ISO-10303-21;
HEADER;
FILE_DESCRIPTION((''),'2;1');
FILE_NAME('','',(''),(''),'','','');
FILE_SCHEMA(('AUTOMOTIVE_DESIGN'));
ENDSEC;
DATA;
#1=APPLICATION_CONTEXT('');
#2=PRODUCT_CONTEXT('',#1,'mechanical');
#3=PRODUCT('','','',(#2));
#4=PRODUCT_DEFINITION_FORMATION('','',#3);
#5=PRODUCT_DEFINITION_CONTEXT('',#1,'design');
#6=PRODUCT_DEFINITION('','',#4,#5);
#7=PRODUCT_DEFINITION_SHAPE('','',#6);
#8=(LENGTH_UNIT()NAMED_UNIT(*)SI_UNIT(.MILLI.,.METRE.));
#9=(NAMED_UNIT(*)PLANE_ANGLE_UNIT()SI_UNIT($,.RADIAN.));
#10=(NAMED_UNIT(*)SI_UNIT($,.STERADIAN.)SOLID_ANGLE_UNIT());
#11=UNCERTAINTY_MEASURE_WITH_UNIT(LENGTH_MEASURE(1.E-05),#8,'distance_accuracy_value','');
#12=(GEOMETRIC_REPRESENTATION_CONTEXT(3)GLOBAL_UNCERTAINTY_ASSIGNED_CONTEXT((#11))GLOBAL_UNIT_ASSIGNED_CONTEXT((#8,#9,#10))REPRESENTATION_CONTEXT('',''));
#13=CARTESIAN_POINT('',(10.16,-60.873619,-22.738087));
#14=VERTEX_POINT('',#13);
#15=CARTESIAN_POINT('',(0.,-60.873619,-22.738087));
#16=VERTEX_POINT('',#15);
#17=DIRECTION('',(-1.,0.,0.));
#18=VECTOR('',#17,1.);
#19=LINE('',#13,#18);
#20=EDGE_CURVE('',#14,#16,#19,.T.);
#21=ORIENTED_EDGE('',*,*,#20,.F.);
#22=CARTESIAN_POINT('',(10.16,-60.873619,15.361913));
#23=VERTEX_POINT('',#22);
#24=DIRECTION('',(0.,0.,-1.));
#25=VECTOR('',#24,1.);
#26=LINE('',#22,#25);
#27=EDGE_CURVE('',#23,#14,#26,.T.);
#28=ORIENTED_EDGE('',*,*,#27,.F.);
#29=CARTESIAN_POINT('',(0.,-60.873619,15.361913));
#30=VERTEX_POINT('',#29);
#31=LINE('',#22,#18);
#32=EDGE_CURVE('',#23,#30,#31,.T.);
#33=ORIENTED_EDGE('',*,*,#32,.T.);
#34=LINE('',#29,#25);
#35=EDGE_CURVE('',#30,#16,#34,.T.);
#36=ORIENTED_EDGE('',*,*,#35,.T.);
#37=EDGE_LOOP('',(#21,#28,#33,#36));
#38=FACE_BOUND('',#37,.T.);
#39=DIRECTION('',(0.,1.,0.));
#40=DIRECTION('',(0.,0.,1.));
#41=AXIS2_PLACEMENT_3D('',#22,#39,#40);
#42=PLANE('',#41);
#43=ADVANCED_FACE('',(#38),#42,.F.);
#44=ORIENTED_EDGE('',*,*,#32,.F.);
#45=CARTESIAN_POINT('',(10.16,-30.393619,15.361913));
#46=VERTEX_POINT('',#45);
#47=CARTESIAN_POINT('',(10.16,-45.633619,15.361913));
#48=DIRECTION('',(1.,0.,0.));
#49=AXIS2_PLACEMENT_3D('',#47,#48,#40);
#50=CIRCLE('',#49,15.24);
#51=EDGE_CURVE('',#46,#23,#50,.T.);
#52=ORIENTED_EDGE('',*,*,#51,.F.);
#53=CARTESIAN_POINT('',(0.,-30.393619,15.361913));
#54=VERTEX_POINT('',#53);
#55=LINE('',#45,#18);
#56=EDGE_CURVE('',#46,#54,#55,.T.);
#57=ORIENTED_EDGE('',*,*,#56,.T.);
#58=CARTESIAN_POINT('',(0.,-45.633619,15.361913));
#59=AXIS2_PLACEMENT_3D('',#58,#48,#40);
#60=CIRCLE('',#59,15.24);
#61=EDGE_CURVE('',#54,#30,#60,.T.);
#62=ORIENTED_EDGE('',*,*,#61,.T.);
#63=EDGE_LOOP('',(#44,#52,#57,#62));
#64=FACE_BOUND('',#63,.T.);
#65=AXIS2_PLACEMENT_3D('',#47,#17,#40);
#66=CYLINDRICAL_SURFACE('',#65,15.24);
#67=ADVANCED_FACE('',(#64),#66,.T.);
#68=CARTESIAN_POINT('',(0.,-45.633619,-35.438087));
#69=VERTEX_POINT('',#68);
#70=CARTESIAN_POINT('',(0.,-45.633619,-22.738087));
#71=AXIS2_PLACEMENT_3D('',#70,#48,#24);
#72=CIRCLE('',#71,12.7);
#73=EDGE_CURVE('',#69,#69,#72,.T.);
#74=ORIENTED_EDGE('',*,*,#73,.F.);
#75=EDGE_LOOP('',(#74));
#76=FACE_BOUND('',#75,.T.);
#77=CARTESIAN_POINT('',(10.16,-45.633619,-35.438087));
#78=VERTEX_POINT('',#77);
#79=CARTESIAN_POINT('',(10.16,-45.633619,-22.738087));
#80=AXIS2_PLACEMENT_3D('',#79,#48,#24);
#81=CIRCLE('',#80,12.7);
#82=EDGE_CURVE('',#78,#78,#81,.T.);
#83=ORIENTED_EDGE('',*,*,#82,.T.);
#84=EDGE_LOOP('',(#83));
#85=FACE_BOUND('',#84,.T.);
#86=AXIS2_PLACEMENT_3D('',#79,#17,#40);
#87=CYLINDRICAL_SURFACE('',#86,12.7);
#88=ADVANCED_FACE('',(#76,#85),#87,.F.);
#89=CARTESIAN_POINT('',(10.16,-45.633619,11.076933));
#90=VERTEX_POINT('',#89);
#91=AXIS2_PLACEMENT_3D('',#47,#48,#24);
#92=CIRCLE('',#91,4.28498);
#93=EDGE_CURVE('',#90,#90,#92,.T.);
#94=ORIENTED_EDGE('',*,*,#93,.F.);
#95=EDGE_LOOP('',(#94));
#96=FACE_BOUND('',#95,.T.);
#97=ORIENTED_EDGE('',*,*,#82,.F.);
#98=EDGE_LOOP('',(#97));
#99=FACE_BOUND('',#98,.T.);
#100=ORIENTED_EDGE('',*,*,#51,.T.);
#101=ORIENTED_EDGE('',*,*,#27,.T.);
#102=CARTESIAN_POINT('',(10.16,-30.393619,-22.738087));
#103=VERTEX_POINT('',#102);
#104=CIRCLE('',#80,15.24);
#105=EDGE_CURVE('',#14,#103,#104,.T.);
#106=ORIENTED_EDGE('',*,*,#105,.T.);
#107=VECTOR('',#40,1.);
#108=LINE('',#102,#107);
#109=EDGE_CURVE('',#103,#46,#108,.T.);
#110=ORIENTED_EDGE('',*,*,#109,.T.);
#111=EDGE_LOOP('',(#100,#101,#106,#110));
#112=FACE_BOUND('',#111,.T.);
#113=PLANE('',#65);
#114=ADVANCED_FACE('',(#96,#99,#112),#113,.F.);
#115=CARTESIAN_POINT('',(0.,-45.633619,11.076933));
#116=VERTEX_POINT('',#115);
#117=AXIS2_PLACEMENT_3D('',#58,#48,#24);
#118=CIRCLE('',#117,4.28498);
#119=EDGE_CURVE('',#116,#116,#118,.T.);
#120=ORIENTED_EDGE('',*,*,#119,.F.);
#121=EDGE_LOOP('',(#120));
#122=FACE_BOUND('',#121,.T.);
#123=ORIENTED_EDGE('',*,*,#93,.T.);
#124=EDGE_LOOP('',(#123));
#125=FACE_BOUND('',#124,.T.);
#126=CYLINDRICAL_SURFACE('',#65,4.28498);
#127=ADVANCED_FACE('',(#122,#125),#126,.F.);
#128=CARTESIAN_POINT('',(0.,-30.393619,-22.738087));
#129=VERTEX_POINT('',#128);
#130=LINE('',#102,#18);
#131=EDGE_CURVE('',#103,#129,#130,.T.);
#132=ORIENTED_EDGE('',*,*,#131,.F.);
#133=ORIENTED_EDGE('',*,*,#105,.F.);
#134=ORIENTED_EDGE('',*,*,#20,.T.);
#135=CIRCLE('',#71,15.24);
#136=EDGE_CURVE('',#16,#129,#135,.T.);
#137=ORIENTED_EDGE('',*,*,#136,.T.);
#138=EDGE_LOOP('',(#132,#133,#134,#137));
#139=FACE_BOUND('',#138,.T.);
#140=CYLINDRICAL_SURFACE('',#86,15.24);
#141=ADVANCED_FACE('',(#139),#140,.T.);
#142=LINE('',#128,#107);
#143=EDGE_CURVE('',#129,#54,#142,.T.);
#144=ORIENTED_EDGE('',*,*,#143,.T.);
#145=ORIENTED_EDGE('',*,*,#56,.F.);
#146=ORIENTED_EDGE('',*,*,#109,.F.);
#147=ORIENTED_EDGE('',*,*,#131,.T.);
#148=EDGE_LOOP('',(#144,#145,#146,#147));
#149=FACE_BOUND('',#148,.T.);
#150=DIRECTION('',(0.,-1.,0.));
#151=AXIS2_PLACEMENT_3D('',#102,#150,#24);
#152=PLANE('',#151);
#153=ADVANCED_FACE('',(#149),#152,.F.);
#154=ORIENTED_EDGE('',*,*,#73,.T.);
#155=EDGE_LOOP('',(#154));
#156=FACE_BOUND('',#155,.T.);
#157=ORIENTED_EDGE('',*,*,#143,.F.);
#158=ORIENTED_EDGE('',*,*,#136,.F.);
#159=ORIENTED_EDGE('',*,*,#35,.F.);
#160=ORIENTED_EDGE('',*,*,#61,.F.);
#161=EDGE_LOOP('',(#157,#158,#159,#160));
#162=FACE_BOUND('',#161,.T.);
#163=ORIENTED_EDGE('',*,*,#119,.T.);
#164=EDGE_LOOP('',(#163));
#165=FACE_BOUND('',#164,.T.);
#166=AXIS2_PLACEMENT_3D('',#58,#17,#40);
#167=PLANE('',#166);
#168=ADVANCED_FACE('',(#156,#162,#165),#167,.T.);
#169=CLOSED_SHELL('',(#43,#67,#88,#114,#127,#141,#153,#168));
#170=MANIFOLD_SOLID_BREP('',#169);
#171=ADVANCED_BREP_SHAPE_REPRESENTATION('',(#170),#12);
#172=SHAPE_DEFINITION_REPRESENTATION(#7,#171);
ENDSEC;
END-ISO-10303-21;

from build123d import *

# Parameters (mm, degrees)
SKETCH1_R           = 12.7
SKETCH1_R_2         = 4.28498
BOSS_EXTRUDE1_DEPTH = 10.159999949


with BuildPart() as part:
    # Sketch1 → Boss-Extrude1 (new body)
    with BuildSketch(Plane.YZ):
        with BuildLine():
            Line((-60.873619371, 15.361912765), (-60.873619371, -22.738087235))
            ThreePointArc((-60.873619371, -22.738087235), (-45.633619371, -37.978087235), (-30.393619371, -22.738087235))
            Line((-30.393619371, -22.738087235), (-30.393619371, 15.361912765))
            ThreePointArc((-30.393619371, 15.361912765), (-45.633619371, 30.601912765), (-60.873619371, 15.361912765))
        make_face()
        with Locations(Location((-45.633619371, -22.738087235, 0), (0, 0, 270))):
            Circle(SKETCH1_R, mode=Mode.SUBTRACT)
        with Locations(Location((-45.633619371, 15.361912765, 0), (0, 0, 270))):
            Circle(SKETCH1_R_2, mode=Mode.SUBTRACT)
    extrude(amount=BOSS_EXTRUDE1_DEPTH)


solid = part.part
